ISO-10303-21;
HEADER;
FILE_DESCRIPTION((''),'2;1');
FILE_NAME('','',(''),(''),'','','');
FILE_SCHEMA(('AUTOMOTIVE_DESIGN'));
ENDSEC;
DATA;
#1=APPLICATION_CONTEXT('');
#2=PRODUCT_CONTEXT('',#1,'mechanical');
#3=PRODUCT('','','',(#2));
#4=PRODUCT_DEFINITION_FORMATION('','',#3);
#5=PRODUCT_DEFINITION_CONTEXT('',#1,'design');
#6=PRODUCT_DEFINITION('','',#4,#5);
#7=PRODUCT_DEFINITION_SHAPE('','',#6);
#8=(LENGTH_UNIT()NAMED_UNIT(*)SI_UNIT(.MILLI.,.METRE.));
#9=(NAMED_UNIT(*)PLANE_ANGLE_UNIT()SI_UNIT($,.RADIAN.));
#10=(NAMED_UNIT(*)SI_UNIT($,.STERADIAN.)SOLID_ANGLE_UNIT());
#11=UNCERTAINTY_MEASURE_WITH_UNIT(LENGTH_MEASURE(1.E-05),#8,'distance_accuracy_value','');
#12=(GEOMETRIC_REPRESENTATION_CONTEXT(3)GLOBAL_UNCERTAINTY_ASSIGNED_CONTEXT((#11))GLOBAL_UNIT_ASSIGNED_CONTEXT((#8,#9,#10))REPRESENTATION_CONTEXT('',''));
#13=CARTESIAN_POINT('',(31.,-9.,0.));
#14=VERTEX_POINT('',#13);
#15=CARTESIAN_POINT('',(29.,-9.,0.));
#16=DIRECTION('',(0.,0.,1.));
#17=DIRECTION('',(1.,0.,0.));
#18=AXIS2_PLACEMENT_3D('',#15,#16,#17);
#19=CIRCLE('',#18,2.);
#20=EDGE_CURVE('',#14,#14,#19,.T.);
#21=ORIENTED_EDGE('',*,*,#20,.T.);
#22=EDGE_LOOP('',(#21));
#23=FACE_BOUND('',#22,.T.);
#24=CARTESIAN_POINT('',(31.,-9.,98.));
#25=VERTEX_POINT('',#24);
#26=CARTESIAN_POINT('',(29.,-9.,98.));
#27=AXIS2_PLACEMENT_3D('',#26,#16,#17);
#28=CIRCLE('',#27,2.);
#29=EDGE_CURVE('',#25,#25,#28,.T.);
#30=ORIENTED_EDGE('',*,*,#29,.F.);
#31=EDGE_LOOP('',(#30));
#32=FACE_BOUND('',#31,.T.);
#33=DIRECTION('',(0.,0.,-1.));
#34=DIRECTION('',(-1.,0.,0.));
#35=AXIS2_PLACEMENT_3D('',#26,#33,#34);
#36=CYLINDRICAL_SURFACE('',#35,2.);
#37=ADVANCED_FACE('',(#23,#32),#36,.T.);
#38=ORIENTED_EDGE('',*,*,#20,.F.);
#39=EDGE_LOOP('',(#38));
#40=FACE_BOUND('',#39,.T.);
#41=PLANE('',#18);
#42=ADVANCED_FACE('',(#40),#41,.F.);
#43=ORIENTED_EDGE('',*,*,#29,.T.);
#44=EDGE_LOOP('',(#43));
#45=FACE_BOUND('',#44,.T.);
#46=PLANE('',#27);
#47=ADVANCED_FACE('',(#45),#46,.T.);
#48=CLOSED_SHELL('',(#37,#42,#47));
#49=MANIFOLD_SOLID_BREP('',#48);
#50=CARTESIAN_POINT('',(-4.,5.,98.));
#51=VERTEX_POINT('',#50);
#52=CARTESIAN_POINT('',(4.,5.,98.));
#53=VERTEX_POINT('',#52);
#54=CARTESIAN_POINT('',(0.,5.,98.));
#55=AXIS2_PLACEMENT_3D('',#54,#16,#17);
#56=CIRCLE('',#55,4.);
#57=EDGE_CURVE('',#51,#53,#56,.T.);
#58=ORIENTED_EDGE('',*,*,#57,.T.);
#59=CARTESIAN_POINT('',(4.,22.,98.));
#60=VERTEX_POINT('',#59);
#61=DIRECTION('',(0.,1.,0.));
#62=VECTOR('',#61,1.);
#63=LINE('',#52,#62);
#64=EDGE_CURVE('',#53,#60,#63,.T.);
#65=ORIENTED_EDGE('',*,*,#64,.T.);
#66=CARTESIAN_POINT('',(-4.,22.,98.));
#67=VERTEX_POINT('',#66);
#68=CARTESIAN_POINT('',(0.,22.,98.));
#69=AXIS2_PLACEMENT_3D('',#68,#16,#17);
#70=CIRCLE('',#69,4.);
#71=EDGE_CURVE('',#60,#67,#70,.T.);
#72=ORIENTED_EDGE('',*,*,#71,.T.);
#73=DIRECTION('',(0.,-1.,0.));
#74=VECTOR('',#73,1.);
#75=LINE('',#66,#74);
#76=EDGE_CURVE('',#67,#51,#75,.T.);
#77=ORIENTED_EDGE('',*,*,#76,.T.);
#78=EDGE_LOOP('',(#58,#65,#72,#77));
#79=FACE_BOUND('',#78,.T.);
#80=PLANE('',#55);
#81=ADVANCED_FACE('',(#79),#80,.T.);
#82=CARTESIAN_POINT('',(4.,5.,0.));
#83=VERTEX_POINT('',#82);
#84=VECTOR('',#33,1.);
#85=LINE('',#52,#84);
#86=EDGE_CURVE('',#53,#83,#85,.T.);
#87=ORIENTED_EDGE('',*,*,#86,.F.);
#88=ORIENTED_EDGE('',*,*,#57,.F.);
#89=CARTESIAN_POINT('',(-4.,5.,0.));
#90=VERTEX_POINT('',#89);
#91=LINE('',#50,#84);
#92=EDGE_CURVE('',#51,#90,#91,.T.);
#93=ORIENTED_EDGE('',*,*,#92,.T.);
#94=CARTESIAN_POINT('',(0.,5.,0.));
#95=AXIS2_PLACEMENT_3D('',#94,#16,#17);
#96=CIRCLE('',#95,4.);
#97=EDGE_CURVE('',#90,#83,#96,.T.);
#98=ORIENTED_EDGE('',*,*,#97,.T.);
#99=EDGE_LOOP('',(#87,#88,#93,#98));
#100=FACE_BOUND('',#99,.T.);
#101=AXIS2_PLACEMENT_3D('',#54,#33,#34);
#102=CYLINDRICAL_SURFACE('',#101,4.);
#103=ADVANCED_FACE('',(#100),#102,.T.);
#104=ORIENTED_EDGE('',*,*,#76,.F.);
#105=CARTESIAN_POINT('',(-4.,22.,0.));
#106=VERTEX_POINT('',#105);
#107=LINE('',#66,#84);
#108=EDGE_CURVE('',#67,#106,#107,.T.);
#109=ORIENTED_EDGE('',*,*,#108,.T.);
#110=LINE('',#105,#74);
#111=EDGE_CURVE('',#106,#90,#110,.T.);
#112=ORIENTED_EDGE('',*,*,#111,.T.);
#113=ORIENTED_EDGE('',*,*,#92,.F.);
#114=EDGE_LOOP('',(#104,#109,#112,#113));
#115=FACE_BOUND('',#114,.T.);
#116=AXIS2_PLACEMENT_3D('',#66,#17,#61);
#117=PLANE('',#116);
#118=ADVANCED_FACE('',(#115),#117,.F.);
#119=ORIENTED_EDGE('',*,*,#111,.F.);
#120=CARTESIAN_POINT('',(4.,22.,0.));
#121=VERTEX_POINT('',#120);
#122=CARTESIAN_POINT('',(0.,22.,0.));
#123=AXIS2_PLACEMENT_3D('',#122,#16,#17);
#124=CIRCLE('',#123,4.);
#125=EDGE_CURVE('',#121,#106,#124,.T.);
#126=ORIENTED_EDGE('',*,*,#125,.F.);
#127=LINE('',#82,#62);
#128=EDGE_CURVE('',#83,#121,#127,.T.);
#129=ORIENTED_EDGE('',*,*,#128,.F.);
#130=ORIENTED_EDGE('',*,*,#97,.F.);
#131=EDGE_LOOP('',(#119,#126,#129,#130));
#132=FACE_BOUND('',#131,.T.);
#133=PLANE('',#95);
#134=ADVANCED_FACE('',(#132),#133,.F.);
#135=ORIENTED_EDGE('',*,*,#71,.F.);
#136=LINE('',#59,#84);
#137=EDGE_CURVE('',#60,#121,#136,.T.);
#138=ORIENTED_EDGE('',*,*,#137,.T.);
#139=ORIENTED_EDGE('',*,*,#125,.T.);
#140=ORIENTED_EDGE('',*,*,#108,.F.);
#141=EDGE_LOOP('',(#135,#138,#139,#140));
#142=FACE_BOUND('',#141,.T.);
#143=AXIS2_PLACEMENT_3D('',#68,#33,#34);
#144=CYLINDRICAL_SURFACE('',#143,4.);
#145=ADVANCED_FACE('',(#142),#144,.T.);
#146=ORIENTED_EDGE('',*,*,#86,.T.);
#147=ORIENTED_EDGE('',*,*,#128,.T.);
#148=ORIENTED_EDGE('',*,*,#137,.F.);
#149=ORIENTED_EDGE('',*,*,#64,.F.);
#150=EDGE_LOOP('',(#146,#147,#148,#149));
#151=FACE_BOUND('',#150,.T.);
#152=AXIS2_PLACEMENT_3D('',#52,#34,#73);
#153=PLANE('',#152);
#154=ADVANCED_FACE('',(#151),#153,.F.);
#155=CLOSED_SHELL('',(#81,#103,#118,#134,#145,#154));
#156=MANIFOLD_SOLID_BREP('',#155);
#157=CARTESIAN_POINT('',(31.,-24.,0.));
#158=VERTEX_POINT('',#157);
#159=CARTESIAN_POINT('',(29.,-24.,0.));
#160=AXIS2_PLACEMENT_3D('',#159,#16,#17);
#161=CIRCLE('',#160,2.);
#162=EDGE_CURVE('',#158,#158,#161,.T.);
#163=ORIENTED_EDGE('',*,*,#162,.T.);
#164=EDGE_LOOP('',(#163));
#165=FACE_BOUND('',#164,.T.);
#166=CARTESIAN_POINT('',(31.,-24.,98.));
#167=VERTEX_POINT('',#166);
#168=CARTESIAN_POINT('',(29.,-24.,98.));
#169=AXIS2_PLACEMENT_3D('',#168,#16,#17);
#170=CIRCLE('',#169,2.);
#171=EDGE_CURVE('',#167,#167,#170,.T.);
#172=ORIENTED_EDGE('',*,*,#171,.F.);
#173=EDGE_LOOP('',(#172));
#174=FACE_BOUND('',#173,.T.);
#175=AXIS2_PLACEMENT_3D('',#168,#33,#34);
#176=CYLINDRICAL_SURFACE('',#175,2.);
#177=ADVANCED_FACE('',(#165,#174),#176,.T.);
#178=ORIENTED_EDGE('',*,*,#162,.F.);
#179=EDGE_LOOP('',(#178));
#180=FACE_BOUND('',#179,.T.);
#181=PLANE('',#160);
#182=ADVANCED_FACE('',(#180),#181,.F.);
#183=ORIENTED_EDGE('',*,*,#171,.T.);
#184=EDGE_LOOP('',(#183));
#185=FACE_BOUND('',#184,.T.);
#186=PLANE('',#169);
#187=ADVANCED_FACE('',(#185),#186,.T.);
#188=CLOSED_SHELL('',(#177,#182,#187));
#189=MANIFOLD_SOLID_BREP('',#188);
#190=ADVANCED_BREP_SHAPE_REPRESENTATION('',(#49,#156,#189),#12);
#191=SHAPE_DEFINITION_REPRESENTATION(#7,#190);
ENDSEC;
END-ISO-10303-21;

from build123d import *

# Parameters (mm, degrees)
SKETCH2_R             = 2
BOSS_EXTRUDE1_DEPTH   = 98
BOSS_EXTRUDE1_2_DEPTH = 98
BOSS_EXTRUDE1_3_DEPTH = 98


with BuildPart() as part:
    # Sketch2 → Boss-Extrude1 (new body)
    with BuildSketch(Plane.XY):
        with Locations((29, -9)):
            Circle(SKETCH2_R)
    extrude(amount=BOSS_EXTRUDE1_DEPTH)


with BuildPart() as body_2:
    # Sketch2 → Boss-Extrude1 2 (new body)
    with BuildSketch(Plane.XY):
        with Locations((29, -24)):
            Circle(SKETCH2_R)
    extrude(amount=BOSS_EXTRUDE1_2_DEPTH)


with BuildPart() as body_3:
    # Sketch2 → Boss-Extrude1 3 (new body)
    with BuildSketch(Plane.XY):
        with BuildLine():
            Line((4, 5), (4, 22))
            ThreePointArc((4, 22), (0, 26), (-4, 22))
            Line((-4, 22), (-4, 5))
            ThreePointArc((-4, 5), (0, 1), (4, 5))
        make_face()
    extrude(amount=BOSS_EXTRUDE1_3_DEPTH)


solid = Compound([part.part, body_2.part, body_3.part])
